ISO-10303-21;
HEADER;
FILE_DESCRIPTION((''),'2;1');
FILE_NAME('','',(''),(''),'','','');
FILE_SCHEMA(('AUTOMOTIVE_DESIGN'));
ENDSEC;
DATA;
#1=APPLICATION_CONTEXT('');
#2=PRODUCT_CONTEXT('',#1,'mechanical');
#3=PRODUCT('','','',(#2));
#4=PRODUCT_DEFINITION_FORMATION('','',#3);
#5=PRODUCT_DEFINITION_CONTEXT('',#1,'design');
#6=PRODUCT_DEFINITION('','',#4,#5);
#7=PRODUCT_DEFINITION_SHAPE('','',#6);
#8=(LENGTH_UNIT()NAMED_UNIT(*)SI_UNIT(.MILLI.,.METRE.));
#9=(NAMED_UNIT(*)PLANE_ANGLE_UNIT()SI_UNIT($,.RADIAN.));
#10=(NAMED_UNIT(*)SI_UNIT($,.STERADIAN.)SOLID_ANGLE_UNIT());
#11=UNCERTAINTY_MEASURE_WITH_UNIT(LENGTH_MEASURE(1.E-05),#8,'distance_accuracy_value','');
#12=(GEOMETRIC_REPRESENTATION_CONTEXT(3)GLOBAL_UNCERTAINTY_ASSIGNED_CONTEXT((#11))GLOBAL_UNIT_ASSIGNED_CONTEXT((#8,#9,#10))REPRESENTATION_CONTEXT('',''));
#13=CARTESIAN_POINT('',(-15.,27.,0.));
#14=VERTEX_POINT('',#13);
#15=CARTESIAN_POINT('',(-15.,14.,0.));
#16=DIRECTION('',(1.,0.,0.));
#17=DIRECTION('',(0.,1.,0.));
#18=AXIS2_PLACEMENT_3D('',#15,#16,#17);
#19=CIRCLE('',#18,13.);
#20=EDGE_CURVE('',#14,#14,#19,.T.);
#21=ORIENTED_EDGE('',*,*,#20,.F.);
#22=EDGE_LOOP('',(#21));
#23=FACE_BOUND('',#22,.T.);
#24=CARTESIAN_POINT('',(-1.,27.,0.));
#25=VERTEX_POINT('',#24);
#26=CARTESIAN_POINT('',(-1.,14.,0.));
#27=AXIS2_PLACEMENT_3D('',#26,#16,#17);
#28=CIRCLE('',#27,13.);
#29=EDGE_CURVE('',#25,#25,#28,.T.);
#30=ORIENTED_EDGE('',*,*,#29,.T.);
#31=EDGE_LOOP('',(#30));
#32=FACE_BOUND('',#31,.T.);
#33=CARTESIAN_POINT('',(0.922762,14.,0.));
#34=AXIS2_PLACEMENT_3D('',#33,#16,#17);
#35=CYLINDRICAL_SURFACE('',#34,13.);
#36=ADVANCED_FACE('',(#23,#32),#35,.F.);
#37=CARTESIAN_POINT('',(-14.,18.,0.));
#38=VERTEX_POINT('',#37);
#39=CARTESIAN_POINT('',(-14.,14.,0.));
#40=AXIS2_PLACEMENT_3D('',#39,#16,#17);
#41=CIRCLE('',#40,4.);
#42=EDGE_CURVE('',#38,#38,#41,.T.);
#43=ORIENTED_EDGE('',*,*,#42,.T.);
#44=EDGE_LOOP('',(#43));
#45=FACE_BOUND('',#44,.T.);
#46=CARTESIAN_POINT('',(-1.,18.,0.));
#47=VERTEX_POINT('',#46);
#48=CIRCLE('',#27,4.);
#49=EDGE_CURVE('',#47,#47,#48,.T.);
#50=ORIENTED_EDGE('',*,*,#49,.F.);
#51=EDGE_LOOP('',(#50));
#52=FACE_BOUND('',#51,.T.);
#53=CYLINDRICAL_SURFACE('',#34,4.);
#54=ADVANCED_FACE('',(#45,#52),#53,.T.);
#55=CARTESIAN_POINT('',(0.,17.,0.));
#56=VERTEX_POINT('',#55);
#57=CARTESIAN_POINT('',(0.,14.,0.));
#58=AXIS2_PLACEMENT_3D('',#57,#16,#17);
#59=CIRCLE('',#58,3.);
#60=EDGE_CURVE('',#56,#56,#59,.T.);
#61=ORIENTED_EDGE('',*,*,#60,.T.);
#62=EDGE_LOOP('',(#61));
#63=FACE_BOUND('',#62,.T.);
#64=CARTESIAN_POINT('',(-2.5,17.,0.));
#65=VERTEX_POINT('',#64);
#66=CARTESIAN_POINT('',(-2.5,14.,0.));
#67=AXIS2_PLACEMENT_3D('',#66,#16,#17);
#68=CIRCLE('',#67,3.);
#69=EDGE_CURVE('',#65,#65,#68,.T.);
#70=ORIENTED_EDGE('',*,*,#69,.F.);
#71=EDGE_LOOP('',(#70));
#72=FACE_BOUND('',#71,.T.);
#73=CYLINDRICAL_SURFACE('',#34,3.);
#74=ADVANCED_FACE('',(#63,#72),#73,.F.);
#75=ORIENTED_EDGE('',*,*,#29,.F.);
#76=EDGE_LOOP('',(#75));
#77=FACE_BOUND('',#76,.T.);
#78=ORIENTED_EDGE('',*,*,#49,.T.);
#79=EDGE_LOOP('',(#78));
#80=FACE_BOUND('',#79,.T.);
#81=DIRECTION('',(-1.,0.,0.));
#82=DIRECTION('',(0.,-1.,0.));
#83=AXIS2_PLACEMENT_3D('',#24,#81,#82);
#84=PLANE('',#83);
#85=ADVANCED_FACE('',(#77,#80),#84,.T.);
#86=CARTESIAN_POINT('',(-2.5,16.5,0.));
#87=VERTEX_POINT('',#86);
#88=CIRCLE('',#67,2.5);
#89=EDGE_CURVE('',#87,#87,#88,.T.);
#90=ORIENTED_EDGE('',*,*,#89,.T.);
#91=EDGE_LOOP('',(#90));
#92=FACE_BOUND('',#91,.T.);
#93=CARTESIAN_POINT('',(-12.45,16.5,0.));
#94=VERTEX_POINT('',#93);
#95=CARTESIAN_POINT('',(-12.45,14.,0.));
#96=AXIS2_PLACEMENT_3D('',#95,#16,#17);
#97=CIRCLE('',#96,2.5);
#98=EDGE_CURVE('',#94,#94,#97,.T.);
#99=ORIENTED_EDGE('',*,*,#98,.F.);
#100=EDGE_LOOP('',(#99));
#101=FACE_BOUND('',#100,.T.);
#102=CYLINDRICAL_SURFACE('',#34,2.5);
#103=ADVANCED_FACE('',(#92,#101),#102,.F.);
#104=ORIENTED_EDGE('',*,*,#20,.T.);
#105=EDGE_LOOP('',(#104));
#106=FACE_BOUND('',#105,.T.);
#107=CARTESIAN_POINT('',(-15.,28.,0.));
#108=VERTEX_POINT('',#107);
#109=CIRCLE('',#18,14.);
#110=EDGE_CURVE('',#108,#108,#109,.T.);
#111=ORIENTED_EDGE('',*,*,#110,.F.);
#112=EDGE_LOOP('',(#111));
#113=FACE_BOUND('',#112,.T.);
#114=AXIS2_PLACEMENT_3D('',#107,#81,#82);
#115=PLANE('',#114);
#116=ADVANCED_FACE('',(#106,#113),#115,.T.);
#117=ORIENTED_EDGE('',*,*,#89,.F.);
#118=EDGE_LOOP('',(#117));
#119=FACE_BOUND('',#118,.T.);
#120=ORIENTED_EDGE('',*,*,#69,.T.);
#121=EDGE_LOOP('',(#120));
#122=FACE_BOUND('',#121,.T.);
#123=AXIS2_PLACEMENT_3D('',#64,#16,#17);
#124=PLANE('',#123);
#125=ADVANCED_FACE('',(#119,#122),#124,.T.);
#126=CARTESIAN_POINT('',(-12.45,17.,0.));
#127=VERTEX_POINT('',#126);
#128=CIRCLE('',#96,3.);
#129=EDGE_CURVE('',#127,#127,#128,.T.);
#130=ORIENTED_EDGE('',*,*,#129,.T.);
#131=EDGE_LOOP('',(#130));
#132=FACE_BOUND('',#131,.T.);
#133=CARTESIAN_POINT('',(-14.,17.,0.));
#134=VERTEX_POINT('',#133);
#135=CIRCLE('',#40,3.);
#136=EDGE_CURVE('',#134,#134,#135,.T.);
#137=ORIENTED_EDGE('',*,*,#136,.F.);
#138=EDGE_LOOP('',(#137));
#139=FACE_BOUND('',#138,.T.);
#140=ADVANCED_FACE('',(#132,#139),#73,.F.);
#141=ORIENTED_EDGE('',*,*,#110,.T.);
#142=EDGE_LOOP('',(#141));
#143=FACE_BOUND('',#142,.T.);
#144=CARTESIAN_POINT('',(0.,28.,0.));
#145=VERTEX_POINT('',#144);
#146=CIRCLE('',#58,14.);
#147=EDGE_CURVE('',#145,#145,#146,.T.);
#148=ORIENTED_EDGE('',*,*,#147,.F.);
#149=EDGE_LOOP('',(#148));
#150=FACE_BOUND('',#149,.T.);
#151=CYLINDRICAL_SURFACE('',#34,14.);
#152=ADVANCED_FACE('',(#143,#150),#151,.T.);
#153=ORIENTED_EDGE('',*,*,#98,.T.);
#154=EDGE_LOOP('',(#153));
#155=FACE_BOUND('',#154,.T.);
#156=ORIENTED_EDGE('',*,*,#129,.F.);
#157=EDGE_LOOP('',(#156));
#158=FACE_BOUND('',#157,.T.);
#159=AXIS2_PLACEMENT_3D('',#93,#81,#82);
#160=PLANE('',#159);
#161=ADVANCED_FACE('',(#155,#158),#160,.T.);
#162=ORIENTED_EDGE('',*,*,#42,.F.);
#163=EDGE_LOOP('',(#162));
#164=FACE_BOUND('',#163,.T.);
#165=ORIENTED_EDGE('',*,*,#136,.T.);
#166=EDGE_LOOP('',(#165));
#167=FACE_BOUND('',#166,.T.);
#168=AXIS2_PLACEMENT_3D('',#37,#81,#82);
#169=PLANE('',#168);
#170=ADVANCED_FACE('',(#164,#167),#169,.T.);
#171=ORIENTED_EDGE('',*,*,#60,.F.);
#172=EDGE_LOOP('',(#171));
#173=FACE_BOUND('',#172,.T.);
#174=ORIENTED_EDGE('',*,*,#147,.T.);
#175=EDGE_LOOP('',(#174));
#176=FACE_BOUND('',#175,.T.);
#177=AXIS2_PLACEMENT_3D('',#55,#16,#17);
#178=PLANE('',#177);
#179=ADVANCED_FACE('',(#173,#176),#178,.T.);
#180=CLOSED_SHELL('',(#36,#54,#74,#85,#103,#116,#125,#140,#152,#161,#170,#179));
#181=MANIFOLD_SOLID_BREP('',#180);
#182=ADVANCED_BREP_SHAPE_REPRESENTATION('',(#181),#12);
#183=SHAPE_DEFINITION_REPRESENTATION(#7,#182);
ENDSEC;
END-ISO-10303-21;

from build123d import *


with BuildPart() as part:
    # Sketch1 → Revolve1 (revolve)
    with BuildSketch(Plane.XY):
        Polygon((0, 17), (0, 28), (-15, 28), (-15, 27), (-1, 27), (-1, 18), (-14, 18), (-14, 17), (-12.45, 17), (-12.45, 16.5), (-2.5, 16.5), (-2.5, 17), align=None)
    revolve(axis=Axis((0.922761861, 14, 0), (-1, 0, 0)))


solid = part.part
